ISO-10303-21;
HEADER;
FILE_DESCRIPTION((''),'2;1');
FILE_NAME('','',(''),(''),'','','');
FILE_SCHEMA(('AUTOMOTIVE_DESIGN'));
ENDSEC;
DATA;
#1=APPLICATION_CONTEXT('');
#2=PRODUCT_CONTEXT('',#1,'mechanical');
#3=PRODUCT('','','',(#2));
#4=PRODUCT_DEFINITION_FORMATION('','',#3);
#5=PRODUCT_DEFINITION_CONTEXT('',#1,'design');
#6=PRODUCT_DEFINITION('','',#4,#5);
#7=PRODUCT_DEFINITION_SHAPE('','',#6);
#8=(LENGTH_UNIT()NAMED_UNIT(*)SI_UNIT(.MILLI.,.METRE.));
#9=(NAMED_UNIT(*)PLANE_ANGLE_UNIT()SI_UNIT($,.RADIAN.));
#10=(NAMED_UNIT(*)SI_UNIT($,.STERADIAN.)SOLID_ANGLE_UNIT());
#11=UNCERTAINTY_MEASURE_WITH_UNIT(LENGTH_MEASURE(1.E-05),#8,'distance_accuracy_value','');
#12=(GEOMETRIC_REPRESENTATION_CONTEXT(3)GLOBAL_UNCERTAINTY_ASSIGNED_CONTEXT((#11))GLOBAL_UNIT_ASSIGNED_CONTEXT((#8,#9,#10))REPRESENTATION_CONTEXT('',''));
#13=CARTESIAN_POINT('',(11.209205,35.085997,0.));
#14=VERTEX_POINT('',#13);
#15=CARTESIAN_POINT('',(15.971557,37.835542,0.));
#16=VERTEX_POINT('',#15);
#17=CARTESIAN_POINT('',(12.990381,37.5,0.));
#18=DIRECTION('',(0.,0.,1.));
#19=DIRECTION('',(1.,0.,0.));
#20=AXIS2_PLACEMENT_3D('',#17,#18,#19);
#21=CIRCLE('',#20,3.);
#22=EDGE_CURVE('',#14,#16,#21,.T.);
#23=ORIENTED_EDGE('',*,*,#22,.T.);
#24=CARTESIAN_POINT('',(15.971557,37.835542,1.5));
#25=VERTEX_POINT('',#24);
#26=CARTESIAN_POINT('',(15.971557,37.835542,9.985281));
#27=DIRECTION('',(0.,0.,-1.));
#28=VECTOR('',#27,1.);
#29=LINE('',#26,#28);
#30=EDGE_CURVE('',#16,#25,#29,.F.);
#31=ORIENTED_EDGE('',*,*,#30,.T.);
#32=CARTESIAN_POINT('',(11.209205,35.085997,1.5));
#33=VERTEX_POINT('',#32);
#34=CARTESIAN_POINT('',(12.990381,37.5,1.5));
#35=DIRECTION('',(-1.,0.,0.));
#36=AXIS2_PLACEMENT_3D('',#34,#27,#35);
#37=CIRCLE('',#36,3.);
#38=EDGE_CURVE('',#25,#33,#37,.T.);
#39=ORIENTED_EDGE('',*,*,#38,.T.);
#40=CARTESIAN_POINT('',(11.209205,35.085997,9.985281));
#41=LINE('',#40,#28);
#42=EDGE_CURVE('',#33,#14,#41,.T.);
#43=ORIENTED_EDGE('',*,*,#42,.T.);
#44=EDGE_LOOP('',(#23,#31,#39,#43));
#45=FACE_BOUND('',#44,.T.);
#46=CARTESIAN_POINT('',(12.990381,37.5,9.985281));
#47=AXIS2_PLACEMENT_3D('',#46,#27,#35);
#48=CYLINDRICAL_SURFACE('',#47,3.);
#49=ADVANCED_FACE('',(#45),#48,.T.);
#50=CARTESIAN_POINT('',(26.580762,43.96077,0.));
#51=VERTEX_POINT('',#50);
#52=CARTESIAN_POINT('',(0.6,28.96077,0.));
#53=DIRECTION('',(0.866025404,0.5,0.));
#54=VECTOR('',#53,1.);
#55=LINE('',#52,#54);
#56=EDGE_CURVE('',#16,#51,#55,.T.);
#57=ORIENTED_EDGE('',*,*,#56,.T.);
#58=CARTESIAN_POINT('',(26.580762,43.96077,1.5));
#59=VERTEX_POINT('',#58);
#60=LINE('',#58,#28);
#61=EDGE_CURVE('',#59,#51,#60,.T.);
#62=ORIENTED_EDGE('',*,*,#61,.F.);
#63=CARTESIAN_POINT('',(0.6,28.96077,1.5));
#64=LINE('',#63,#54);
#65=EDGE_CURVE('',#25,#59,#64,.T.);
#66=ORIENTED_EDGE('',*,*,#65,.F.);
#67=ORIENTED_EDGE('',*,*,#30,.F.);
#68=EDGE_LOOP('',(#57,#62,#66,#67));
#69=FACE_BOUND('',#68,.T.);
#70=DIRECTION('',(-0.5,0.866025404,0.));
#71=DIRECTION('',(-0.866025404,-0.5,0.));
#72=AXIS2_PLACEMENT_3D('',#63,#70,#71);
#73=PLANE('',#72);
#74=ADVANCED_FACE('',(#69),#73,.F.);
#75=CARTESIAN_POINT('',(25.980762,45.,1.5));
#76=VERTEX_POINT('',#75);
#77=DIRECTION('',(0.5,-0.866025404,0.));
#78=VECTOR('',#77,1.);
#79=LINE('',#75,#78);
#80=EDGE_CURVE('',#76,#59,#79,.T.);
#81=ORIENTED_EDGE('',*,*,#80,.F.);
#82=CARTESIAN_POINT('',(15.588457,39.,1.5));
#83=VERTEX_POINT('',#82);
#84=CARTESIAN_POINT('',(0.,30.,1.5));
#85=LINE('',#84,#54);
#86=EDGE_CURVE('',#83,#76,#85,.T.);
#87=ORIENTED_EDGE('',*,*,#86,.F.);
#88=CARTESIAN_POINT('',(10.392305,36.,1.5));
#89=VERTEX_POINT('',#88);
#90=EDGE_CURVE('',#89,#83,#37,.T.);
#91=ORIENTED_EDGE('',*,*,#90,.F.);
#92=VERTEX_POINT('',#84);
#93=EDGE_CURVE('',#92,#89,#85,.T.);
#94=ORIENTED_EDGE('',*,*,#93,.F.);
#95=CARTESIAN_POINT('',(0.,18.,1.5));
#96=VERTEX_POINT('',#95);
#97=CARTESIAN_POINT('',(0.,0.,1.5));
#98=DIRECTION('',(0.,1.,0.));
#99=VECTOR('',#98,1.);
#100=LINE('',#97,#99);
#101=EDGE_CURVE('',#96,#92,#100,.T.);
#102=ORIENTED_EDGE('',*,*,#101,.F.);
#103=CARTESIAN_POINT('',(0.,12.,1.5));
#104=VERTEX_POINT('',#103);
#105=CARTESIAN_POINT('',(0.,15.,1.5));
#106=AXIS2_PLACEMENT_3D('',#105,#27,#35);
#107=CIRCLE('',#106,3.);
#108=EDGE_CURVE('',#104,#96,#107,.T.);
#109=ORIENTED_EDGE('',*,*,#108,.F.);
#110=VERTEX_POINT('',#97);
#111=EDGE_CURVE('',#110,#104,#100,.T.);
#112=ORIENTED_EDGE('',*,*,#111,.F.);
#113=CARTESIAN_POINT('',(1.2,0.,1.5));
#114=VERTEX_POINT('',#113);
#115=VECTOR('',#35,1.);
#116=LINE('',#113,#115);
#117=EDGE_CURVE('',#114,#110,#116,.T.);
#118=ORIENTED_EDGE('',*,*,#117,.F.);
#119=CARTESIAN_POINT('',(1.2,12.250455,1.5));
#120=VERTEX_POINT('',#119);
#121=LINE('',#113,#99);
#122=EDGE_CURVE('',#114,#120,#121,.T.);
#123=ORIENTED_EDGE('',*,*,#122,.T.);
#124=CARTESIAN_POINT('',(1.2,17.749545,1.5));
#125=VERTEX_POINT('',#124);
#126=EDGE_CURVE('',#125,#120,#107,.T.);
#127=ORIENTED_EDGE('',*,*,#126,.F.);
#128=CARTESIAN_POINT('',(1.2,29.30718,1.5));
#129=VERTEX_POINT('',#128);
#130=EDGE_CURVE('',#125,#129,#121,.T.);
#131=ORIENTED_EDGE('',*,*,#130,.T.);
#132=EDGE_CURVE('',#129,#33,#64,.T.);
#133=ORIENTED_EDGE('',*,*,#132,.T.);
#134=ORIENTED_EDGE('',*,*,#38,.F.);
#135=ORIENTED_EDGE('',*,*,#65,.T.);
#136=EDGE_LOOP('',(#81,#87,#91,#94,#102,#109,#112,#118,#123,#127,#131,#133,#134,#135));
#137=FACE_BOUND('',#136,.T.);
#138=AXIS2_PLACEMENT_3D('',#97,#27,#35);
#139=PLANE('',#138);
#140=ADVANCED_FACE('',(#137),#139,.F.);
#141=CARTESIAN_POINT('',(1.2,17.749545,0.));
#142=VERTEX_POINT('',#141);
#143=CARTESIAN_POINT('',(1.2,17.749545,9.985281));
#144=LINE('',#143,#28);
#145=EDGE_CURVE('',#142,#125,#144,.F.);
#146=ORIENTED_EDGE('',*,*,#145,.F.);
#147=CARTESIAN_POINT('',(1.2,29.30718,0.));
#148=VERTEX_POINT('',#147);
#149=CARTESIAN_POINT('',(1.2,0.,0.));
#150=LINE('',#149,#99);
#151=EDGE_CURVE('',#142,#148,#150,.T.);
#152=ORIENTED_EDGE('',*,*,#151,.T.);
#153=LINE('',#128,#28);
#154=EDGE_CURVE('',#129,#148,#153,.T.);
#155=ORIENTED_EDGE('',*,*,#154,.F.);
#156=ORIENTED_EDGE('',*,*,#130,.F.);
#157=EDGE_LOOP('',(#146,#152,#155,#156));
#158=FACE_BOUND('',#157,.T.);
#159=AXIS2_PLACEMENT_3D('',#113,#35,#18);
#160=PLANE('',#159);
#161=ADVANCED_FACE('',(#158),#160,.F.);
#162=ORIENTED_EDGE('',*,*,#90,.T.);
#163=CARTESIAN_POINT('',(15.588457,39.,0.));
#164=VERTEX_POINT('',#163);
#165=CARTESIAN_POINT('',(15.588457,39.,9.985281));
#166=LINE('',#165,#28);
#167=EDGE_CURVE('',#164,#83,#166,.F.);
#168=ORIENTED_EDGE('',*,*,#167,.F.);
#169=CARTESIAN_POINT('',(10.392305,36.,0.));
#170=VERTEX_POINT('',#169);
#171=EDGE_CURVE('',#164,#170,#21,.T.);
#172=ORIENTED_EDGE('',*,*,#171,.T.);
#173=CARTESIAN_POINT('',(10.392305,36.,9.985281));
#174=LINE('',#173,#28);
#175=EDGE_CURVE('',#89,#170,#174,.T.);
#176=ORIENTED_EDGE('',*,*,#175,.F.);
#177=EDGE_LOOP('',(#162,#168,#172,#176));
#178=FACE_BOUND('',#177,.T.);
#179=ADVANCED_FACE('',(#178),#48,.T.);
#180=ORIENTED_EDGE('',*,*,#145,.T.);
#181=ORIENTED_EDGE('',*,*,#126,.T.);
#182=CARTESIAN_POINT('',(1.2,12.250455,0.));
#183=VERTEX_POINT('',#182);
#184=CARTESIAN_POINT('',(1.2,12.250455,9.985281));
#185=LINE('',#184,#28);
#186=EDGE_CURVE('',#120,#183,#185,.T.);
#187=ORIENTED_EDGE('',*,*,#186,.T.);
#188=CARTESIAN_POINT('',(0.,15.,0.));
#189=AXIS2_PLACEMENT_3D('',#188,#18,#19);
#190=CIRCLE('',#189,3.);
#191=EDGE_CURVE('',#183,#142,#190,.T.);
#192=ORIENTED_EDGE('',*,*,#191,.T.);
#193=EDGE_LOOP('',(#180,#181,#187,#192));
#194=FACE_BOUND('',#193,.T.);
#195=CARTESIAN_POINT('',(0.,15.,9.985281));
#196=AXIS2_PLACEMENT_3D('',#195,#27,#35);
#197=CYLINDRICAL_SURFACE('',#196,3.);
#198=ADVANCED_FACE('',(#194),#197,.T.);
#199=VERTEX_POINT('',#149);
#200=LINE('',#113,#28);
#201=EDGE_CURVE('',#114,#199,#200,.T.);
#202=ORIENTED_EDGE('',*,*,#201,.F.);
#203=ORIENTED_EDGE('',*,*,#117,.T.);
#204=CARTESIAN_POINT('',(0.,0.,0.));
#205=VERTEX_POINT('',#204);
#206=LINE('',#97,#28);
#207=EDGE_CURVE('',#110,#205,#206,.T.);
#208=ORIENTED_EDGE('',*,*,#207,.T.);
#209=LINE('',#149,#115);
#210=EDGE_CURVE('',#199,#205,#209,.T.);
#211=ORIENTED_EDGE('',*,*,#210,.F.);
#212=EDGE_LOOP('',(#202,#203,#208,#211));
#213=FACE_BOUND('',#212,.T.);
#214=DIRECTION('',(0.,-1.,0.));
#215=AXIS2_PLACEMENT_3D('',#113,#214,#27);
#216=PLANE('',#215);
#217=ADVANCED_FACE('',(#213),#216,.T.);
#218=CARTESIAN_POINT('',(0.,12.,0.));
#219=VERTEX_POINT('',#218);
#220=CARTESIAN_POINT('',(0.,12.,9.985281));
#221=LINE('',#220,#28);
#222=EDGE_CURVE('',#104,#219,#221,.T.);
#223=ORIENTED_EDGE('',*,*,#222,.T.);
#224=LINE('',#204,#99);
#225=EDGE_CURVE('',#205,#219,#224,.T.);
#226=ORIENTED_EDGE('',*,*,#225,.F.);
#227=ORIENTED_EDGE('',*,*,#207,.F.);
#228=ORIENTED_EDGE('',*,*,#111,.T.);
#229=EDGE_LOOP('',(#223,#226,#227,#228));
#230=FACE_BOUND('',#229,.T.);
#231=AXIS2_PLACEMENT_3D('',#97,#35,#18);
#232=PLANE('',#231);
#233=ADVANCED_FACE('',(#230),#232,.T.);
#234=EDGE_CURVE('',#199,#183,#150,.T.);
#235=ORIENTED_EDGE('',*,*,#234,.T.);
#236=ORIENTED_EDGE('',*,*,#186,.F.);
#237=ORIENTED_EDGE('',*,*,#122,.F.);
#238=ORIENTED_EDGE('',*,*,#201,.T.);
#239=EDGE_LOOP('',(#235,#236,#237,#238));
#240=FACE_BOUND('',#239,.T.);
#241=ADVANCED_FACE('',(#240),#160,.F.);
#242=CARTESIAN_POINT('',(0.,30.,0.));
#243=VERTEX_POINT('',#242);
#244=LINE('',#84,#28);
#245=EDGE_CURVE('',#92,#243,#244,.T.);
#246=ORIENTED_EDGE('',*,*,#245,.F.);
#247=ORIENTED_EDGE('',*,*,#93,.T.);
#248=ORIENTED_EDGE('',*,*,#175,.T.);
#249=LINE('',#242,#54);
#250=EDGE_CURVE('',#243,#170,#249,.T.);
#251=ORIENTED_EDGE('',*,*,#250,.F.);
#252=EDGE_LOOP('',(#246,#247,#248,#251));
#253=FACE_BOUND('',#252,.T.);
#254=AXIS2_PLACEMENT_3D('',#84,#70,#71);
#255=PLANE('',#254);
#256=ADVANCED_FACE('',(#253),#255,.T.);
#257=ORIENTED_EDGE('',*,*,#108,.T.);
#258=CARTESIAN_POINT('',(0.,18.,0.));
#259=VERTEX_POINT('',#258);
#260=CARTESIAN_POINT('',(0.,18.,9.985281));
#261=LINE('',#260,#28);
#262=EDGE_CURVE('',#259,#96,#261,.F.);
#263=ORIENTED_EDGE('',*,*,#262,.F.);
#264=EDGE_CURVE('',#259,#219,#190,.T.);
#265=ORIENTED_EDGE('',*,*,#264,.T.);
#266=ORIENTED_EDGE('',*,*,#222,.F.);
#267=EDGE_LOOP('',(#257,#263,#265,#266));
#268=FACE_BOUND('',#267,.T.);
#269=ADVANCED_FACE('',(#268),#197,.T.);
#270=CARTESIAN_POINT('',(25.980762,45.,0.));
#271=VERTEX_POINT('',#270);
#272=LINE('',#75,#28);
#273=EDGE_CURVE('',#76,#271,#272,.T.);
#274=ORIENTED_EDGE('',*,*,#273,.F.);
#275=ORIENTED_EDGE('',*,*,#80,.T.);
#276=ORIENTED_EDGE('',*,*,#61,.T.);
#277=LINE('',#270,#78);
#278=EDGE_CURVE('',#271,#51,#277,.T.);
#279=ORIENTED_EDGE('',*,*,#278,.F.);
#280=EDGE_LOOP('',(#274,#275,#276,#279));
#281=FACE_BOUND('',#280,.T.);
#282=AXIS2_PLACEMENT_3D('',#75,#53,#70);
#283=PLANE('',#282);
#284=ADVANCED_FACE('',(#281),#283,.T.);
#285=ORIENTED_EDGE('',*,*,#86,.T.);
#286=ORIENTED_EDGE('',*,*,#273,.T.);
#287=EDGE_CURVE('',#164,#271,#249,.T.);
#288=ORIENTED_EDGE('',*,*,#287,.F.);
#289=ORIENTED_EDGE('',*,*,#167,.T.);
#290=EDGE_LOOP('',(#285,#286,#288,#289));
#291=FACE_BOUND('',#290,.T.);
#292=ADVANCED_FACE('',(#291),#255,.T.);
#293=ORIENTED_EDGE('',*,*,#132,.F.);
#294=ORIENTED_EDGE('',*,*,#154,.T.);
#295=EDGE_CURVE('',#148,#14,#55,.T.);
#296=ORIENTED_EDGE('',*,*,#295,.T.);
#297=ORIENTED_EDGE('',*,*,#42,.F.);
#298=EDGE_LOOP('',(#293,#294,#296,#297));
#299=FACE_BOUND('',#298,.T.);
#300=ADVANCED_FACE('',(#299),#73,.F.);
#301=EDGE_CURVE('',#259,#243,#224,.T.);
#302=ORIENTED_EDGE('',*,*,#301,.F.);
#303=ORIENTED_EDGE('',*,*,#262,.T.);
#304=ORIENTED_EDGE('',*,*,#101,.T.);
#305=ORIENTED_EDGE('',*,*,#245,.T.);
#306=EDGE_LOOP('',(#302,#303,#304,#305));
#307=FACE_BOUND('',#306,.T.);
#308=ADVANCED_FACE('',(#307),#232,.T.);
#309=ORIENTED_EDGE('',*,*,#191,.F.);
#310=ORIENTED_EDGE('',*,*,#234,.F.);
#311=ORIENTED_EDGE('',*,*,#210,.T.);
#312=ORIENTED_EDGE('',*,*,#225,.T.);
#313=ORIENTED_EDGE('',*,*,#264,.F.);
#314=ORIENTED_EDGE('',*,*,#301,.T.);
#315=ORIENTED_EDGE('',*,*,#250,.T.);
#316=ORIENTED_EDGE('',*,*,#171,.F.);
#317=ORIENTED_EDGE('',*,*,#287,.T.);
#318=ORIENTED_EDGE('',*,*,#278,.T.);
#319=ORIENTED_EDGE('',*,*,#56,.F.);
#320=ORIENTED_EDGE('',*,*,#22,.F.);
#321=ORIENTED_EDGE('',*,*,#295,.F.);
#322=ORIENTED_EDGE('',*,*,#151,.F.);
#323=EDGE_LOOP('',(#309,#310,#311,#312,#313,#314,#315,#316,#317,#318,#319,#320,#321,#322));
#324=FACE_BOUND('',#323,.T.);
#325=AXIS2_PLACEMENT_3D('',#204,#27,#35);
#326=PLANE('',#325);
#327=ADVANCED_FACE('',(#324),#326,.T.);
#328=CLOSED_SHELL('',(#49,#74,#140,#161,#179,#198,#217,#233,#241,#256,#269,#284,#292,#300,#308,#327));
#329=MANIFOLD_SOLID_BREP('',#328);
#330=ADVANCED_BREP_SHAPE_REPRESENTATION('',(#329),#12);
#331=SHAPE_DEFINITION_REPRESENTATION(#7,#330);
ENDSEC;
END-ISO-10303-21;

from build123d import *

# Parameters (mm, degrees)
EXTRUDE_THIN1_DEPTH = 1.5
SKETCH2_R           = 3
BOSS_EXTRUDE1_DEPTH = 1.5


with BuildPart() as part:
    # Sketch1 → Extrude-Thin1 (new body)
    with BuildSketch(Plane.XY):
        Polygon((0, 0), (0, 30), (25.980762114, 45), (26.580762114, 43.960769515), (1.2, 29.307179677), (1.2, 0), align=None)
    extrude(amount=EXTRUDE_THIN1_DEPTH)

    # Sketch2 → Boss-Extrude1 (add)
    with BuildSketch(Plane.XY):
        with Locations((12.990381057, 37.5)):
            Circle(SKETCH2_R)
        with Locations((0, 15)):
            Circle(SKETCH2_R)
    extrude(amount=BOSS_EXTRUDE1_DEPTH)


solid = part.part
